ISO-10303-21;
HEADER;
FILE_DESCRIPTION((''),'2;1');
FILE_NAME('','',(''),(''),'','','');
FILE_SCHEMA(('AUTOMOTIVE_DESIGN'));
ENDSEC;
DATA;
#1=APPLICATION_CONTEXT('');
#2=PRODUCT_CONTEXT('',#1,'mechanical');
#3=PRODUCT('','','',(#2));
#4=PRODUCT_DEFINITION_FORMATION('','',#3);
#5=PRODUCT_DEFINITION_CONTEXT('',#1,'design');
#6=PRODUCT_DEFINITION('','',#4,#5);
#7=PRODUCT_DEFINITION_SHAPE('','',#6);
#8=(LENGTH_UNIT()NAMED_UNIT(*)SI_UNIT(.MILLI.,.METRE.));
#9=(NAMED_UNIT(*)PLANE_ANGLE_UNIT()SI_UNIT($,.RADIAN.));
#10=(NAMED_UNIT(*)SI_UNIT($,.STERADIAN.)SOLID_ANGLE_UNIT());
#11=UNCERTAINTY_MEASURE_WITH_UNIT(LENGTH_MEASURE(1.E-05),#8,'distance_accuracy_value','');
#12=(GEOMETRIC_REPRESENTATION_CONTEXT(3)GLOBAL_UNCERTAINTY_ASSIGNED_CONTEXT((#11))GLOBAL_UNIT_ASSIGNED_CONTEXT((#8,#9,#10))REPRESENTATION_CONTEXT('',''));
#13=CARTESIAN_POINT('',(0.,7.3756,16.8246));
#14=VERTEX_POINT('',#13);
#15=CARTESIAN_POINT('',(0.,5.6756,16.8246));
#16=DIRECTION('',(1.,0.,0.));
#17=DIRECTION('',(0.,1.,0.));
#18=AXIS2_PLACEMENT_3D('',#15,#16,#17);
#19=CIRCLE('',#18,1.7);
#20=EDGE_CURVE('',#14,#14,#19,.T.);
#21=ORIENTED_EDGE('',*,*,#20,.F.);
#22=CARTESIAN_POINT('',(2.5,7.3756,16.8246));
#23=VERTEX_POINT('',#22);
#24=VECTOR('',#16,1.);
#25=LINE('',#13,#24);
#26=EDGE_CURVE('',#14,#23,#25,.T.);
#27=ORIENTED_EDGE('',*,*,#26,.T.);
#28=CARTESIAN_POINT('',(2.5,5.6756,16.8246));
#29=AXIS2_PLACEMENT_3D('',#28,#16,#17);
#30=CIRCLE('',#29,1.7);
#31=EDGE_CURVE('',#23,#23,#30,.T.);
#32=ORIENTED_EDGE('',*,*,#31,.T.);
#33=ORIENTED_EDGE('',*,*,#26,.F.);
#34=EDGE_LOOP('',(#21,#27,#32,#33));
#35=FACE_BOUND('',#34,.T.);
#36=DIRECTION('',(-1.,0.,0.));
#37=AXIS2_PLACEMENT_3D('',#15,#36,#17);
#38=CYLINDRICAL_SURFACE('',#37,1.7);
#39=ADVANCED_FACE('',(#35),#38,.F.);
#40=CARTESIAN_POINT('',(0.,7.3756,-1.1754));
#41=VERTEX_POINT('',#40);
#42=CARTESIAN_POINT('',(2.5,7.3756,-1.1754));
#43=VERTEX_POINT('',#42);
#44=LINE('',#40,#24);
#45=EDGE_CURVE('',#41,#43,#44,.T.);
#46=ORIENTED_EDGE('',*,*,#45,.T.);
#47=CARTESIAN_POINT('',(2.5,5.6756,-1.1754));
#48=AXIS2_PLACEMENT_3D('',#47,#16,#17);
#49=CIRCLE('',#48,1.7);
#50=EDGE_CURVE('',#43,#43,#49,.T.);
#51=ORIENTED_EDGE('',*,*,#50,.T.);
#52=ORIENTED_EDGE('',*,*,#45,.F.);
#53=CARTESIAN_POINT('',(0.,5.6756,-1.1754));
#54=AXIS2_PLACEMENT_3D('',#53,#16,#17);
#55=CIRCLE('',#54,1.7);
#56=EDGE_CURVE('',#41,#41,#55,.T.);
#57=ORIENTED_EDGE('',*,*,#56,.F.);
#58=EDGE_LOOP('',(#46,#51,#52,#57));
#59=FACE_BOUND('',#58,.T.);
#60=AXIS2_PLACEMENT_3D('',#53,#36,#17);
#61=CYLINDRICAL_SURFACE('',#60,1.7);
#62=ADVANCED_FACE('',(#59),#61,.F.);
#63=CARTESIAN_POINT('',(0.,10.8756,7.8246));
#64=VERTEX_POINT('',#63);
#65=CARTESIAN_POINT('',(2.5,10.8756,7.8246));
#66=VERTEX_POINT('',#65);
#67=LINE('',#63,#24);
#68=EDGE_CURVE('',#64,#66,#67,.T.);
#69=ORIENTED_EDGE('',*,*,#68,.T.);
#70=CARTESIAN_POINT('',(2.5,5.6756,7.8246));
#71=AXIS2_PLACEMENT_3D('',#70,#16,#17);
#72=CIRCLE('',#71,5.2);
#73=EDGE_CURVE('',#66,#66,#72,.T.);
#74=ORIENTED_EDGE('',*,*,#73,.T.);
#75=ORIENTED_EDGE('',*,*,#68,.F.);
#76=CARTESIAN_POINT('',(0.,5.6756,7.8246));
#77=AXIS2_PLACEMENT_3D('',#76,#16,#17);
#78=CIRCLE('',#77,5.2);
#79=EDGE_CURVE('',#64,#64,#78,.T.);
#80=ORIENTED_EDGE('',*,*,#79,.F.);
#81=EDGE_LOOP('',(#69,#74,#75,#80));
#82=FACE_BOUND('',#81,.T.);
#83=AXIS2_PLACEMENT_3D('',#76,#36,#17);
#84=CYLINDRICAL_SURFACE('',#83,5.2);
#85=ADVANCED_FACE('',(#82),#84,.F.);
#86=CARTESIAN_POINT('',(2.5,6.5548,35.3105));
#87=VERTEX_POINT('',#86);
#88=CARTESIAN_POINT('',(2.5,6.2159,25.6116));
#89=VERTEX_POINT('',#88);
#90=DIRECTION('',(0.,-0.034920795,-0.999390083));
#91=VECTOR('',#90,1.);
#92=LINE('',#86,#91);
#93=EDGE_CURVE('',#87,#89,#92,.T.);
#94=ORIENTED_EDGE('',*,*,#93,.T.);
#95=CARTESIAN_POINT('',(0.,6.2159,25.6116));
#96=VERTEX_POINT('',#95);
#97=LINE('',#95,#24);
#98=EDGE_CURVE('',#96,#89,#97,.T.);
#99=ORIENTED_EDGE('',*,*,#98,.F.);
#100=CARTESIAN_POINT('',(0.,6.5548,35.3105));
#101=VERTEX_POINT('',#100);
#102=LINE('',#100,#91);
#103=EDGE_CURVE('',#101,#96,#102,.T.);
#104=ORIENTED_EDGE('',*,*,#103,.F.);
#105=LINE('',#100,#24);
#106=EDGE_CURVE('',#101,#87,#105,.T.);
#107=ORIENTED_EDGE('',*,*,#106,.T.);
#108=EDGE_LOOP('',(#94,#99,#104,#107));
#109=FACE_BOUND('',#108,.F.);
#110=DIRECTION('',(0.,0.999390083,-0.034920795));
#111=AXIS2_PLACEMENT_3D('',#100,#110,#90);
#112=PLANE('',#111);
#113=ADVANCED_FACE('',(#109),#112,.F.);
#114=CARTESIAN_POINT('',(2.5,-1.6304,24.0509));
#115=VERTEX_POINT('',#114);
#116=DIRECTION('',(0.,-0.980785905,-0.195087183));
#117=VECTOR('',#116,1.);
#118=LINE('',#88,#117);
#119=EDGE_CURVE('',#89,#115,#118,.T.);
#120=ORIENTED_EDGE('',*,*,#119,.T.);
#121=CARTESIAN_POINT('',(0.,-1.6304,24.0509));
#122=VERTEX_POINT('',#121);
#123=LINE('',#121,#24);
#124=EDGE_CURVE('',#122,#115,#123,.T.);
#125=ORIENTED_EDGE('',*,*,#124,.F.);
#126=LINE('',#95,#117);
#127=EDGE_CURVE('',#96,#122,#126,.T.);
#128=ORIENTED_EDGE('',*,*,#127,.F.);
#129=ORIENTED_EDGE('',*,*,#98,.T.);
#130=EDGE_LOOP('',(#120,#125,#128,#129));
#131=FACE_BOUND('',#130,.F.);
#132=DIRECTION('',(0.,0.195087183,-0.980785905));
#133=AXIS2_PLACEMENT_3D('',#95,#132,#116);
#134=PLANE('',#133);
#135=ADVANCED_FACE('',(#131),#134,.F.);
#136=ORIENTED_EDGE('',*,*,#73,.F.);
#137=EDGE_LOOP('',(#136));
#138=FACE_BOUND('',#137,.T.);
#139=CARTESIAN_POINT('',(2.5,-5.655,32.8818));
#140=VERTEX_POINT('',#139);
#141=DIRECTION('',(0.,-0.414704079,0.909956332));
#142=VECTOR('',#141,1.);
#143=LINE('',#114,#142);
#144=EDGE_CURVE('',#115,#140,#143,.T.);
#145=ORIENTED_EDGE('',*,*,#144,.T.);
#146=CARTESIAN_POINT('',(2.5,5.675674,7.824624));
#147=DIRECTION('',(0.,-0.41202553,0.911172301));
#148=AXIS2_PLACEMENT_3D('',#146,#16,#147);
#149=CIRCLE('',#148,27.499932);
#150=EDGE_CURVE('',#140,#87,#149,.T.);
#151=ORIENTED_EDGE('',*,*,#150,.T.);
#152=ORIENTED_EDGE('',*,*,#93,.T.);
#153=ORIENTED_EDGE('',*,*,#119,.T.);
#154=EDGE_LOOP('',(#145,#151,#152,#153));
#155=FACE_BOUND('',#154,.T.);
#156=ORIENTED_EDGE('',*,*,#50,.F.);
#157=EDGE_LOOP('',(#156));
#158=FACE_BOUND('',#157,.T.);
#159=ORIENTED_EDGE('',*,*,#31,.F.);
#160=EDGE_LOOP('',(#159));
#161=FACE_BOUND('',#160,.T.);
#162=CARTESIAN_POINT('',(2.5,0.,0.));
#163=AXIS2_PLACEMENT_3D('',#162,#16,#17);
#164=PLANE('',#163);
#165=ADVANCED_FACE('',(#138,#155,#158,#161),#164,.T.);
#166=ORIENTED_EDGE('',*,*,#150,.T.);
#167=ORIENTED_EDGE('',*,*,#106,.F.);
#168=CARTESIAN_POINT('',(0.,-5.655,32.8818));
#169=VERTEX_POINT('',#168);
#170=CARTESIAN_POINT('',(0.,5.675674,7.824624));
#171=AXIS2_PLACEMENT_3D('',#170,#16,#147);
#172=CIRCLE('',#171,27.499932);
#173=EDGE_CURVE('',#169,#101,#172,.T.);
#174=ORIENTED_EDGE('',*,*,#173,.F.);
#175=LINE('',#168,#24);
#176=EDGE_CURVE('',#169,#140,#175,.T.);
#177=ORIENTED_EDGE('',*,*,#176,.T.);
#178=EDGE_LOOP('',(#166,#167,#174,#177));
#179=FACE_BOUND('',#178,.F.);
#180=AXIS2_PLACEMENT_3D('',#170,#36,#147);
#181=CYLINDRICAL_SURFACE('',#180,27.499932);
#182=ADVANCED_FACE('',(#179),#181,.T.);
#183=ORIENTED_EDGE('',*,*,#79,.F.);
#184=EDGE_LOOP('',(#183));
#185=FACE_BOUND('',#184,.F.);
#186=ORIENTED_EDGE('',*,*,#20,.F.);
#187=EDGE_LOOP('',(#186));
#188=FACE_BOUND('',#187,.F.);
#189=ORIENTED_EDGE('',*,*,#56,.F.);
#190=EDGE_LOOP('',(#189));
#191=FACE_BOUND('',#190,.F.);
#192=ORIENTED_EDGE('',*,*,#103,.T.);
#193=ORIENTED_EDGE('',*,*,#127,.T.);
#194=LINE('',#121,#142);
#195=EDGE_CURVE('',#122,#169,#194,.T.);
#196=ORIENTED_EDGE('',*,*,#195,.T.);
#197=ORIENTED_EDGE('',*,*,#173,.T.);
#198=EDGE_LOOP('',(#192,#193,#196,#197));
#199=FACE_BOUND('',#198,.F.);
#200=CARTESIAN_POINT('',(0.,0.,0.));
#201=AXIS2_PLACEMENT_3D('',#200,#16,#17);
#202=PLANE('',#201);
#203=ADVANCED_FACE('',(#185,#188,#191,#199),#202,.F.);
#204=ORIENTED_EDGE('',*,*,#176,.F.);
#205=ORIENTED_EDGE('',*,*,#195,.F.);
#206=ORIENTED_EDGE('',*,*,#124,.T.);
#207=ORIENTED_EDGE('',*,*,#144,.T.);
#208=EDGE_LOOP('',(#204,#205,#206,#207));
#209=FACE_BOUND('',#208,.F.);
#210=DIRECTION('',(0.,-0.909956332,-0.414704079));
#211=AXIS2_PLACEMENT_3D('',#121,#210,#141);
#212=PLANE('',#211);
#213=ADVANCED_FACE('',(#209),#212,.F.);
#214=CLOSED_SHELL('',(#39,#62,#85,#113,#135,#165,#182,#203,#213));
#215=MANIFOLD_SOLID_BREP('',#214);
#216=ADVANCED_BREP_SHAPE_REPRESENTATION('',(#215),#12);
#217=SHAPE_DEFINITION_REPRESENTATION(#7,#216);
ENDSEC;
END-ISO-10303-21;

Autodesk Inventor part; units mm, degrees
ref_plane "YZ Plane" through (0, 0, 0) normal (1, 0, 0) x (0, 1, 0)
ref_plane "XZ Plane" through (0, 0, 0) normal (0, 1, 0) x (-1, 0, 0)
ref_plane "XY Plane" through (0, 0, 0) normal (0, 0, 1) x (1, 0, 0)
sketch "スケッチ1" plane through (0, 0, 0) normal (1, 0, 0) x (0, 1, 0)
  arc A0 (-5.655, 32.8818) -> (6.5548, 35.3105) centre (5.6756, 7.8246) ccw
  circle A1 centre (5.6756, -1.1754) radius 1.7
  circle A2 centre (5.6756, 16.8246) radius 1.7
  circle A3 centre (5.6756, 7.8246) radius 5.2
  line L0 (-1.6304, 24.0509) -> (-5.655, 32.8818)
  line L1 (6.5548, 35.3105) -> (6.2159, 25.6116)
  line L2 (6.2159, 25.6116) -> (-1.6304, 24.0509)
  point P0 (0, 0)
extrude "押し出し1" add sketch "スケッチ1" along normal blind 2.5
properties part number "belt_liner_v2_3DP_P-1-F" material "ABS プラスチック"
